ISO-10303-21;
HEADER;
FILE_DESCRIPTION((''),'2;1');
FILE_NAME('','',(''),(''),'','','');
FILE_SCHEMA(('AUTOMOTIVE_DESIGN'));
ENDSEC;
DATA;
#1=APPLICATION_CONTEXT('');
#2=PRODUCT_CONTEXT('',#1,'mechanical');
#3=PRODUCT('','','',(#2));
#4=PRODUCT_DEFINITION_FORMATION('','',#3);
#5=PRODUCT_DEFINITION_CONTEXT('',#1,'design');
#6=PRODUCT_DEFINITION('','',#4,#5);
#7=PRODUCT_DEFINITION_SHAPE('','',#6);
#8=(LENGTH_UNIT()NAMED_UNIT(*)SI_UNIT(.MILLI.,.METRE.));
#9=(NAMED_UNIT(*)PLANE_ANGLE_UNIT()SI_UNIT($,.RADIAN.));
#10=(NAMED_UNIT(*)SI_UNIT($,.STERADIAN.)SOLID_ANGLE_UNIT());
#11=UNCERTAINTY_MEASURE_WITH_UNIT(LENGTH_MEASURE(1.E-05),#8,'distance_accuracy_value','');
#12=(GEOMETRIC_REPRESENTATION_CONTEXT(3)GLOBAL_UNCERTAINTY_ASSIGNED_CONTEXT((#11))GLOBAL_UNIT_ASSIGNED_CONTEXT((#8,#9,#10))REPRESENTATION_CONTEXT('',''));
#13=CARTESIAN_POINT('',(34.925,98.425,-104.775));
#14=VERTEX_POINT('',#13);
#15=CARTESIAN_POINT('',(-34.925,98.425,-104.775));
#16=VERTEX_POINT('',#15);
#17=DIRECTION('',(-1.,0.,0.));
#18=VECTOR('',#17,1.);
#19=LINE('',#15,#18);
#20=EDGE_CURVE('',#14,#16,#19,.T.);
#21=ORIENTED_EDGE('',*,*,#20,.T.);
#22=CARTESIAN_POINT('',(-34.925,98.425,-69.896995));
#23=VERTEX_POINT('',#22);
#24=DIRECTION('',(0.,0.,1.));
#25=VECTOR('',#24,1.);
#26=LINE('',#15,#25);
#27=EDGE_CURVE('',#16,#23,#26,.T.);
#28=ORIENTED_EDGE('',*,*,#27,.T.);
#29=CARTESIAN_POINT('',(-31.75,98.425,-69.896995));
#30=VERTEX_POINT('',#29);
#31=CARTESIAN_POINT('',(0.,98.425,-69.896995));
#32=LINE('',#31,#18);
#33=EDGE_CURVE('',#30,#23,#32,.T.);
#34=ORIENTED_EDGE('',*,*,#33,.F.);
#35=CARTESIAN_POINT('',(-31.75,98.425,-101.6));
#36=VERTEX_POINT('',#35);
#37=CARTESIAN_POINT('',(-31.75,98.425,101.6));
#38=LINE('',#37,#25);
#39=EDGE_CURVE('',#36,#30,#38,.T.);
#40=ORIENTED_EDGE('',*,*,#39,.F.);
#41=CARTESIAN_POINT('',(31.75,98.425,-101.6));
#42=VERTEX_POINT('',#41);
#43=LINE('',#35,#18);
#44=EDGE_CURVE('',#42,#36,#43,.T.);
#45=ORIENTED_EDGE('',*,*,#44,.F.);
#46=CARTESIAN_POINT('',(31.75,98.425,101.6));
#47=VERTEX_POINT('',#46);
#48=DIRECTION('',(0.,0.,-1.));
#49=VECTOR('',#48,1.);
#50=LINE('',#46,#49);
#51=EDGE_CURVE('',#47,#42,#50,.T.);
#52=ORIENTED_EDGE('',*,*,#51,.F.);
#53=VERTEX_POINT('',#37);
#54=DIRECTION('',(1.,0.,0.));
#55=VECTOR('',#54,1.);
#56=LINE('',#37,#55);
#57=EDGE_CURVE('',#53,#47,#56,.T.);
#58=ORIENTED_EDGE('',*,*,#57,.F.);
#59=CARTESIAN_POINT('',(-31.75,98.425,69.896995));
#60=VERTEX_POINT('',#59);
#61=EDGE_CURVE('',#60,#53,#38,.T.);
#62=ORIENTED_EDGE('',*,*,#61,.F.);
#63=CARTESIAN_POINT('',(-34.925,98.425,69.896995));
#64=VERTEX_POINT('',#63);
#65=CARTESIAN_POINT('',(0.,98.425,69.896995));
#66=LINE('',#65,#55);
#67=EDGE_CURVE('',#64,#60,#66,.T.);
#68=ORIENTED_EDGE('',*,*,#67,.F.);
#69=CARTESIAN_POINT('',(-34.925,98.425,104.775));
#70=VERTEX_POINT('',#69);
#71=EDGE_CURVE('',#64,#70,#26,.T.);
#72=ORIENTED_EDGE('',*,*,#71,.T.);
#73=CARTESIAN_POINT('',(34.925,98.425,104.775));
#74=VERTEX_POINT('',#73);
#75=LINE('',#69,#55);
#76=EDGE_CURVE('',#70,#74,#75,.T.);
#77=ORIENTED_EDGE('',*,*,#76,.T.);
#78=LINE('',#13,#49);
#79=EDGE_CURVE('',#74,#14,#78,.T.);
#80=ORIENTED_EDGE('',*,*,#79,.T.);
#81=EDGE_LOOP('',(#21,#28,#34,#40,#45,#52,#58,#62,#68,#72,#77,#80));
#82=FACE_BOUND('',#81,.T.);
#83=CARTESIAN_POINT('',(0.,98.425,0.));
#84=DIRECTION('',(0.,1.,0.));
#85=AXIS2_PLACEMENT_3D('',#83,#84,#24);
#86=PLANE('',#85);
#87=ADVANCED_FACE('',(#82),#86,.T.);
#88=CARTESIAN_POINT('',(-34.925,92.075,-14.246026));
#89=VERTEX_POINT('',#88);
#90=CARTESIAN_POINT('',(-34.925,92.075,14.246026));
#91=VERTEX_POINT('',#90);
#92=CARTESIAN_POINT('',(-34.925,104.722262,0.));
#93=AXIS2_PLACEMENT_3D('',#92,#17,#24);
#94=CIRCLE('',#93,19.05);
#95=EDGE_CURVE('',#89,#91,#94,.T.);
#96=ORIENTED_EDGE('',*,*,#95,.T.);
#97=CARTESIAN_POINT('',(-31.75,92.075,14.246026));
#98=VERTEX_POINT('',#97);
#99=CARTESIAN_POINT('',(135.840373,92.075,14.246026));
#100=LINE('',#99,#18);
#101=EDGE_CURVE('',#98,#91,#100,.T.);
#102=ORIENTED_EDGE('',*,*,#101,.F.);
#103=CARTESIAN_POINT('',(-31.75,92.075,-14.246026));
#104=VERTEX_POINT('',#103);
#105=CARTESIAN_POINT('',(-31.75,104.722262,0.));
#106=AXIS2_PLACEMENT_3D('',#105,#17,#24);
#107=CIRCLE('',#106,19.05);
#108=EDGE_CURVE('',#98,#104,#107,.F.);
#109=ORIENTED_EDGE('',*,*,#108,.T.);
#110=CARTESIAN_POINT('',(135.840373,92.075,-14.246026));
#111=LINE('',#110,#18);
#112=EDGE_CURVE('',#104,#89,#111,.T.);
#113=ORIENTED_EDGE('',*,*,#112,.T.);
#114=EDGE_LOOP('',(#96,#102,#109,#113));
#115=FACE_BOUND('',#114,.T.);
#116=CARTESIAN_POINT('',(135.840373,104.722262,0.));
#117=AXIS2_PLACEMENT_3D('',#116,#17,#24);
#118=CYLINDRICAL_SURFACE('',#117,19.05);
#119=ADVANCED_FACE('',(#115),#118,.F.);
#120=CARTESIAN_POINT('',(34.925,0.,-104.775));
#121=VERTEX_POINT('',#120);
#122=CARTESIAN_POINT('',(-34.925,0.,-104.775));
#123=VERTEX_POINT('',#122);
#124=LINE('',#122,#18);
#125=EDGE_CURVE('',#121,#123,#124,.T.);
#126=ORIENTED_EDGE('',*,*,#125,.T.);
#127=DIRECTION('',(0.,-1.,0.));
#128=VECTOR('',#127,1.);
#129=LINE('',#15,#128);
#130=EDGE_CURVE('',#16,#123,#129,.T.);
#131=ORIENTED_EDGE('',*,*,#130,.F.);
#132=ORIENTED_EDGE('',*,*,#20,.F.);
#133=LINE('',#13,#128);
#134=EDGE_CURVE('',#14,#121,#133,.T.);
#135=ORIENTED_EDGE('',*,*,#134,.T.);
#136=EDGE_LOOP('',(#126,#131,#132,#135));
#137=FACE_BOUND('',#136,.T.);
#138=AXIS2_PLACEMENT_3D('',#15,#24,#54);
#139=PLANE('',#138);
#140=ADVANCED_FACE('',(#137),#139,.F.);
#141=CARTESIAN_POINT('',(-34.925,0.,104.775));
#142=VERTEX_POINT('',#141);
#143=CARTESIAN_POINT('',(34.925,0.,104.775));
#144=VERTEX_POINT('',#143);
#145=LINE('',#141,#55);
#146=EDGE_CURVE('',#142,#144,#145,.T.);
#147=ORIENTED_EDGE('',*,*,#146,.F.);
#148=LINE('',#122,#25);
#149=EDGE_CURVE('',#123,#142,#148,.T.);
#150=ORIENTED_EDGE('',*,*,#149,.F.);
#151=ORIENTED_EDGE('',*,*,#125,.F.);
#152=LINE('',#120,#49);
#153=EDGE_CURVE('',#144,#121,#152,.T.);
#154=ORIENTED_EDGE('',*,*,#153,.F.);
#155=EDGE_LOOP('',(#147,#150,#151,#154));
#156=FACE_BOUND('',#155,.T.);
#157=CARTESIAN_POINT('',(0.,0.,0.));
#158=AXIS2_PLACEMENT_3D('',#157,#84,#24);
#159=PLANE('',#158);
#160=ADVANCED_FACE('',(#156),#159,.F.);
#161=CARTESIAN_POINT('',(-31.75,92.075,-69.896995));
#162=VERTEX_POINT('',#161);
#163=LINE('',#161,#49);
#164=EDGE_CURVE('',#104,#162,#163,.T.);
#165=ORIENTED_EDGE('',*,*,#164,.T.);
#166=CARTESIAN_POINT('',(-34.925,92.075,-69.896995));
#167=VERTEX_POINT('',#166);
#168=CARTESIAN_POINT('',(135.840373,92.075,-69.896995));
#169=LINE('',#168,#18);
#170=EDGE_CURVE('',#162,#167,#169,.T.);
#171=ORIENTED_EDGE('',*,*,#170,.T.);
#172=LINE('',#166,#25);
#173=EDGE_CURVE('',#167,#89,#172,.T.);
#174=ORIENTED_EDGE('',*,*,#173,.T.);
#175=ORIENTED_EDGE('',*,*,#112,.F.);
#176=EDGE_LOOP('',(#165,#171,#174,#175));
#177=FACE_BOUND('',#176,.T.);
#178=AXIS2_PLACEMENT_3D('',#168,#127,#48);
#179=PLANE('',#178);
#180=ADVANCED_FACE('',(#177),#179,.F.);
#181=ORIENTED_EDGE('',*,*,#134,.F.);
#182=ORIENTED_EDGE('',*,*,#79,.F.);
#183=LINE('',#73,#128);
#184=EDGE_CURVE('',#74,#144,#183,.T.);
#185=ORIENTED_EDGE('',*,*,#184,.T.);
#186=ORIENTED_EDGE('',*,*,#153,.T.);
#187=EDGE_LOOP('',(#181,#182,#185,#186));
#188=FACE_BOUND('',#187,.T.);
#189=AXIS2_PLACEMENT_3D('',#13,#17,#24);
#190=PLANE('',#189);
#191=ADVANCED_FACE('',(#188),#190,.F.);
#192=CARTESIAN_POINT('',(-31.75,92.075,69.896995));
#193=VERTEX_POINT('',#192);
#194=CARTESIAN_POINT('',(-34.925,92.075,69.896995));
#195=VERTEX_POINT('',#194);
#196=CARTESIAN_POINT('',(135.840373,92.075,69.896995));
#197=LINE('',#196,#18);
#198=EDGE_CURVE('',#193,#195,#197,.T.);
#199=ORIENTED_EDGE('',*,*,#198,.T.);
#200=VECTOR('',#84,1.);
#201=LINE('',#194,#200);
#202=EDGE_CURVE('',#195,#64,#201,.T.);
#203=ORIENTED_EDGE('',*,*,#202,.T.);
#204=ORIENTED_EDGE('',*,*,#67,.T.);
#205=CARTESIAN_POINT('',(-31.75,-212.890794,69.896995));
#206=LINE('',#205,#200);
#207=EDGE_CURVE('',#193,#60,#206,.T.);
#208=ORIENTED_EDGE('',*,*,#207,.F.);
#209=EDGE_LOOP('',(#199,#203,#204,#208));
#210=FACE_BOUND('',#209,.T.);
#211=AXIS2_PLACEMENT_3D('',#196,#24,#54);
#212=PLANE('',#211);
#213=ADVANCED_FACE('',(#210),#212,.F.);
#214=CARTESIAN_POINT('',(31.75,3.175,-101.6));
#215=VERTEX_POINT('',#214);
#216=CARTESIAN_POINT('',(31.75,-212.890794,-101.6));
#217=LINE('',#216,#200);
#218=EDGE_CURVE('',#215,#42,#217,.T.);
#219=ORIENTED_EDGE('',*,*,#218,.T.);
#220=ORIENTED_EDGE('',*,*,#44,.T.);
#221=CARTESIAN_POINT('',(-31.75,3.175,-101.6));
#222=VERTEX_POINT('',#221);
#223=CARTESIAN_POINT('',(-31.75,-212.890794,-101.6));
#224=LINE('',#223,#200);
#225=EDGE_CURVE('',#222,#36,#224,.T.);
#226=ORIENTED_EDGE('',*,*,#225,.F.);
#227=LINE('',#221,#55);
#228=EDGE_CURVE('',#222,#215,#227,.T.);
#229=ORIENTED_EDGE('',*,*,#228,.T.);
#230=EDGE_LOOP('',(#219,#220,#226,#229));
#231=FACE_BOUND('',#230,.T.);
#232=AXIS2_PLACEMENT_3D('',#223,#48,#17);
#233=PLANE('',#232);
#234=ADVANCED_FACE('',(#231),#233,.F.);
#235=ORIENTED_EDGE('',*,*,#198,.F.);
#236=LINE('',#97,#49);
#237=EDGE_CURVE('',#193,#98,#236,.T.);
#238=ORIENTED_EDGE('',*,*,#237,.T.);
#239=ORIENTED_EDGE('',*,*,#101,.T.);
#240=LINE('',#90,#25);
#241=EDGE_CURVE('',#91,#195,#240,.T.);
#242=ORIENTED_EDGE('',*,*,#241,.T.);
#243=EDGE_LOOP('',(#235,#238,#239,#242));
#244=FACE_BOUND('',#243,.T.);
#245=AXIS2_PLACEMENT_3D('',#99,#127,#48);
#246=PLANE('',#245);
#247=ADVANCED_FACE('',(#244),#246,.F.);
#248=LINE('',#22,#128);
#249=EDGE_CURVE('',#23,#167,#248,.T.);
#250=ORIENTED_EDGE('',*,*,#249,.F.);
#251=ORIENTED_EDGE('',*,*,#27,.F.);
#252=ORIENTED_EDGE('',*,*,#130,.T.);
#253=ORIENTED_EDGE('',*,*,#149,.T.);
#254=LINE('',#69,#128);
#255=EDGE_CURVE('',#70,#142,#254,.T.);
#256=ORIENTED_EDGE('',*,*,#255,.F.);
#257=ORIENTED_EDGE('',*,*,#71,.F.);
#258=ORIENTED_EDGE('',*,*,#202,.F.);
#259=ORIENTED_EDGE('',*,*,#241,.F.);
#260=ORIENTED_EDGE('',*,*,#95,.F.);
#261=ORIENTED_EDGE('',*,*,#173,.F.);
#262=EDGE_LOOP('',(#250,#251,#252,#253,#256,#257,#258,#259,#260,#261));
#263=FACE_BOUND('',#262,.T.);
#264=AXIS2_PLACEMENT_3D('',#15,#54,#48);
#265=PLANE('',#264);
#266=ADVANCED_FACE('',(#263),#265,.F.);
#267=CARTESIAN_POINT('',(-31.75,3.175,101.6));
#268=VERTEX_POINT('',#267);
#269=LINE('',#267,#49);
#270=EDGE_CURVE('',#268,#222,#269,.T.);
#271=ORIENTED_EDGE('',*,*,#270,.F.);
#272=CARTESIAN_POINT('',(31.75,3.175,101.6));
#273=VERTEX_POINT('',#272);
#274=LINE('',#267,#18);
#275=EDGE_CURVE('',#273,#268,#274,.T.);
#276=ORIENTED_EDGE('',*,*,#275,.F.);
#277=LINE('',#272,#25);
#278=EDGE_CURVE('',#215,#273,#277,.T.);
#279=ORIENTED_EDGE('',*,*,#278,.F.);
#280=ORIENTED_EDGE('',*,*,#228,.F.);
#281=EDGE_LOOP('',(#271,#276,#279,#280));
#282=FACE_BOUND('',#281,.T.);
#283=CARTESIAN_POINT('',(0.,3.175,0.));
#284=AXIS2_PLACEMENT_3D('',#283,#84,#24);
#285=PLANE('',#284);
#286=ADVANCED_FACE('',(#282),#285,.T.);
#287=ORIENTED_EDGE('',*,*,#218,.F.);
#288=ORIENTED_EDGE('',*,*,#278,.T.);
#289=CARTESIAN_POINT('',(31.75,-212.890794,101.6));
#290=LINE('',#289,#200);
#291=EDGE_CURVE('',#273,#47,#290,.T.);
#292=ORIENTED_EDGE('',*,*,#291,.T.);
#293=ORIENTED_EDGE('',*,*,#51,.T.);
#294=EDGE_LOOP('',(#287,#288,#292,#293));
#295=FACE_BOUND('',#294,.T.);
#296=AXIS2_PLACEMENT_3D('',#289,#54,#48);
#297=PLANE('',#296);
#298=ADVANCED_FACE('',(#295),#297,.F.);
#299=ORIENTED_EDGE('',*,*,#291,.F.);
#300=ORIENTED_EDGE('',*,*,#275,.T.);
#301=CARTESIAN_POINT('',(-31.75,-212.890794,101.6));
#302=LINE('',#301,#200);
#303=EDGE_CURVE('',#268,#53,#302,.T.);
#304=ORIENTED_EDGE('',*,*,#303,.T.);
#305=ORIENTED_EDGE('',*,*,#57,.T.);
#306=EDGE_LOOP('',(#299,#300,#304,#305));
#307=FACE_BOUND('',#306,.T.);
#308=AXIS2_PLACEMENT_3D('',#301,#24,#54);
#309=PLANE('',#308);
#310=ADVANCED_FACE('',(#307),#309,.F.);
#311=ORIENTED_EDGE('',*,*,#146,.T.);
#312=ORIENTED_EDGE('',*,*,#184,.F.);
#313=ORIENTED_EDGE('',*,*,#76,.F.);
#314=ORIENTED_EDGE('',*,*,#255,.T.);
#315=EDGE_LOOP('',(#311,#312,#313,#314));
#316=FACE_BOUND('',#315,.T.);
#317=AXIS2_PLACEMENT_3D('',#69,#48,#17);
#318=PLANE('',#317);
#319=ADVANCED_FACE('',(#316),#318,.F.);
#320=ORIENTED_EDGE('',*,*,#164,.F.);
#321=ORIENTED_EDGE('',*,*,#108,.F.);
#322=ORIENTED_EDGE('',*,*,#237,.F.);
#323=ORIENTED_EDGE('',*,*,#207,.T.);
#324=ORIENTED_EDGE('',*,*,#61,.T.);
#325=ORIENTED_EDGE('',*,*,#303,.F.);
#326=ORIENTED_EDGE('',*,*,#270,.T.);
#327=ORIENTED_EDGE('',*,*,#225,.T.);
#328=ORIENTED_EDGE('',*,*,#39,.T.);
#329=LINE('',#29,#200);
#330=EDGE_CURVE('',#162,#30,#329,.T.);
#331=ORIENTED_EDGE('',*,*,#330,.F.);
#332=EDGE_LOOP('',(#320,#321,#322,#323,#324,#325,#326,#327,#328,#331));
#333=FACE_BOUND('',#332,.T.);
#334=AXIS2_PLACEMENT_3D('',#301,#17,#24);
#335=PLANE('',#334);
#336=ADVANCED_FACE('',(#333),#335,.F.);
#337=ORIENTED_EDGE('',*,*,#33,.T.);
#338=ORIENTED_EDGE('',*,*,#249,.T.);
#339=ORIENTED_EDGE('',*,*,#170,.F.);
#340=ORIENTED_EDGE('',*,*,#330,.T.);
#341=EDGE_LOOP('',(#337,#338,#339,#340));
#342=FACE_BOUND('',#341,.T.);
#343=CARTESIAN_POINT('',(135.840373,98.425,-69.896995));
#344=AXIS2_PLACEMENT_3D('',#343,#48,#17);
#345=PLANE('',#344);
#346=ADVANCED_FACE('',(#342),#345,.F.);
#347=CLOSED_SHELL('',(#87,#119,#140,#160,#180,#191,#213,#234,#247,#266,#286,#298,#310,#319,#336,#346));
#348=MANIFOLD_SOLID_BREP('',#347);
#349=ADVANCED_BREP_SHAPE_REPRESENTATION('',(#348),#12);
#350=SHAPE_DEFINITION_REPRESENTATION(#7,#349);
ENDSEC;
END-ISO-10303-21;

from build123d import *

# Parameters (mm, degrees)
SKETCH1_W           = 69.85
SKETCH1_H           = 209.55
BOSS_EXTRUDE1_DEPTH = 98.425
SKETCH2_W           = 63.5
SKETCH2_H           = 203.2
CUT_EXTRUDE1_DEPTH  = 95.25
CUT_EXTRUDE2_DEPTH  = 3.175


with BuildPart() as part:
    # Sketch1 → Boss-Extrude1 (new body)
    with BuildSketch(Plane(origin=(0, 0, 0), x_dir=(1, 0, 0), z_dir=(0, 1, 0))):
        Rectangle(SKETCH1_W, SKETCH1_H)
    extrude(amount=BOSS_EXTRUDE1_DEPTH)

    # Sketch2 → Cut-Extrude1 (cut)
    with BuildSketch(Plane(origin=(0, 98.425, 0), x_dir=(1, 0, 0), z_dir=(0, 1, 0))):
        Rectangle(SKETCH2_W, SKETCH2_H)
    extrude(amount=-CUT_EXTRUDE1_DEPTH, mode=Mode.SUBTRACT)

    # Sketch3 → Cut-Extrude2 (cut)
    with BuildSketch(Plane.ZY.offset(34.925)):
        with BuildLine():
            Line((-69.896994772, 98.425), (-69.896994772, 178.106960935))
            Line((-69.896994772, 178.106960935), (69.896994772, 178.106960935))
            Line((69.896994772, 178.106960935), (69.896994772, 98.425))
            Line((69.896994772, 98.425), (69.896994772, 92.075))
            Line((69.896994772, 92.075), (14.246026429, 92.075))
            ThreePointArc((14.246026429, 92.075), (0, 85.672261798), (-14.246026429, 92.075))
            Line((-14.246026429, 92.075), (-69.896994772, 92.075))
            Line((-69.896994772, 92.075), (-69.896994772, 98.425))
        make_face()
    extrude(amount=-CUT_EXTRUDE2_DEPTH, mode=Mode.SUBTRACT)


solid = part.part
